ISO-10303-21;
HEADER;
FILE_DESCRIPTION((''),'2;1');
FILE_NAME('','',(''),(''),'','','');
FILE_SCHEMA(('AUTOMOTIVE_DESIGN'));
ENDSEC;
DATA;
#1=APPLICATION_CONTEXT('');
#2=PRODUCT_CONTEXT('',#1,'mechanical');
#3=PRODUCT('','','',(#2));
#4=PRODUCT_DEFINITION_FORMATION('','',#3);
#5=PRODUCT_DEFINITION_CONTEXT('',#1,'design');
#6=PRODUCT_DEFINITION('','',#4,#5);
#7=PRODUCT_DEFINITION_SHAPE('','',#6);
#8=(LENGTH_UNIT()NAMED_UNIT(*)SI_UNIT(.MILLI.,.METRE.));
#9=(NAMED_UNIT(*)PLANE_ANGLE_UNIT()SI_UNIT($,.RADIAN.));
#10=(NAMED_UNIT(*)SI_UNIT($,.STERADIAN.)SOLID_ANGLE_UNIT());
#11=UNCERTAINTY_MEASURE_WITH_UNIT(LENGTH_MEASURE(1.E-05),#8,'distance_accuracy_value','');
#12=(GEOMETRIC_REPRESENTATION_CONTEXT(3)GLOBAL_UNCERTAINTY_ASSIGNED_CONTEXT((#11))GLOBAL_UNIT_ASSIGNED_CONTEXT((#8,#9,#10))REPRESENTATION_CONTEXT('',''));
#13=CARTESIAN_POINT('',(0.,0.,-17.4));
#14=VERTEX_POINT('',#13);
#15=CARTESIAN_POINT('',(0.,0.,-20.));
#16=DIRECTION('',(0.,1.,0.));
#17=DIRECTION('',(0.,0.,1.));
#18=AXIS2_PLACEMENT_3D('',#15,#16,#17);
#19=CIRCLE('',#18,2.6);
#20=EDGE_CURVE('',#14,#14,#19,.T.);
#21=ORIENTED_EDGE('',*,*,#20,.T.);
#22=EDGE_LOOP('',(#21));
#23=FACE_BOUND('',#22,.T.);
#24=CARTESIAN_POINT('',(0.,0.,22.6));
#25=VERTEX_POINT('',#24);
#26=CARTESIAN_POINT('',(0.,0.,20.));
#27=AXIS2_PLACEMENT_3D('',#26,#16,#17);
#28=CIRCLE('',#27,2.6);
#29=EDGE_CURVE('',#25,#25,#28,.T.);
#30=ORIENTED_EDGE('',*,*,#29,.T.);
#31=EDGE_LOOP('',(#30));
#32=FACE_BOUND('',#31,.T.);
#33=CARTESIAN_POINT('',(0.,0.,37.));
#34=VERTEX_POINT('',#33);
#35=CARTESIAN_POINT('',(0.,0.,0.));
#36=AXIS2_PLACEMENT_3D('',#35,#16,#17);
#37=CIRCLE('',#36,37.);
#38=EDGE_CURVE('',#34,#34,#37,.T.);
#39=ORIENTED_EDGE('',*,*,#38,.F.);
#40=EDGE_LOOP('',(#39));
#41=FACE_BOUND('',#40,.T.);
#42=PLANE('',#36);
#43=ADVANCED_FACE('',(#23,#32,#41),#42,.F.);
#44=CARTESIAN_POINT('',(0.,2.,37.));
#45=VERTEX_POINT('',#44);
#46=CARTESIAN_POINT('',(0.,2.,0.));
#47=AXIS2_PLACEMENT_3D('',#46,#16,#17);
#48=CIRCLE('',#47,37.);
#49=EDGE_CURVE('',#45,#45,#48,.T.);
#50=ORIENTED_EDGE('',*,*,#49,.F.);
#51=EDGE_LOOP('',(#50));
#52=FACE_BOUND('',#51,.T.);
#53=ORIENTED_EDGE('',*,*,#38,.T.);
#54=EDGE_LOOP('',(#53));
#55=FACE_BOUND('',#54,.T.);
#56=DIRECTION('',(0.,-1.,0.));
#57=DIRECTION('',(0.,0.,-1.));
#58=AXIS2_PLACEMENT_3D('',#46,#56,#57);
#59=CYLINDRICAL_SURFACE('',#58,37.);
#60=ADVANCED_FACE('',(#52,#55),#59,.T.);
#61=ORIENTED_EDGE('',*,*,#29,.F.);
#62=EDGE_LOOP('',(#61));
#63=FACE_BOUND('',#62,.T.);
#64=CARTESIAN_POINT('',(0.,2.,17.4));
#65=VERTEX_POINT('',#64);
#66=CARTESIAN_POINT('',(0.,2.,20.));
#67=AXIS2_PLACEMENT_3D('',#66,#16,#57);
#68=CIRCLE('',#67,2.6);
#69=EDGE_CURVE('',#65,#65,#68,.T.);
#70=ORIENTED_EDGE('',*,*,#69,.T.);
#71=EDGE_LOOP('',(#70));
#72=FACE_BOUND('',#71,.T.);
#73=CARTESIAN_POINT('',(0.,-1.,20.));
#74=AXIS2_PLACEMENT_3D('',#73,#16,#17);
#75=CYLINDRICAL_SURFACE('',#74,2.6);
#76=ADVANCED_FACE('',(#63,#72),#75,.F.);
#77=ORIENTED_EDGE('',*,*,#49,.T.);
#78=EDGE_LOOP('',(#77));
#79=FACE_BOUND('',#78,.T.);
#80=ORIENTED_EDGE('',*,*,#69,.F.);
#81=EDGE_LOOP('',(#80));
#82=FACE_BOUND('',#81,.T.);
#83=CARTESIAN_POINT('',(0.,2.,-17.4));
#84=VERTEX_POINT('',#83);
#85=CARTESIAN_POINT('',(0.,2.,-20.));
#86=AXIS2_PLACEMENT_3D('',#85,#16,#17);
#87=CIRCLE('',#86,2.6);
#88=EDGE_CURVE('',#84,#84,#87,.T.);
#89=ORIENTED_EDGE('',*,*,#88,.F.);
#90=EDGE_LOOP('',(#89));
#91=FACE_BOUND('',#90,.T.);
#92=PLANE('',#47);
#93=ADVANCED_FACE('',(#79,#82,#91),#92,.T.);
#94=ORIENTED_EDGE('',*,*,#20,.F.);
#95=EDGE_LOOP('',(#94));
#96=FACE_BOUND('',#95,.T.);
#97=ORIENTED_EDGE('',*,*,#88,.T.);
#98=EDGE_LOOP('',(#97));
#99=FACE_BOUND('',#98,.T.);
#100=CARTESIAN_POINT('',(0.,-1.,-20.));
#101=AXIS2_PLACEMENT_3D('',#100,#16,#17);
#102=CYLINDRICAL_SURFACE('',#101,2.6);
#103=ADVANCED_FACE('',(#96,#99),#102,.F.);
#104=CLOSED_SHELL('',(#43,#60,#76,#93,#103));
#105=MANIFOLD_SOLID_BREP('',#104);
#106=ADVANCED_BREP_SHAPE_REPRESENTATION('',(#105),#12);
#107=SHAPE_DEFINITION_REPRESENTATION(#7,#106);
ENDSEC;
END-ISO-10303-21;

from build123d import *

# Parameters (mm, degrees)
SKETCH1_R           = 37
BOSS_EXTRUDE1_DEPTH = 2
SKETCH2_R           = 2.6
CUT_EXTRUDE1_DEPTH  = 3


with BuildPart() as part:
    # Sketch1 → Boss-Extrude1 (new body)
    with BuildSketch(Plane(origin=(0, 0, 0), x_dir=(1, 0, 0), z_dir=(0, 1, 0))):
        with Locations(Location((0, 0, 0), (0, 0, 270))):
            Circle(SKETCH1_R)
    extrude(amount=BOSS_EXTRUDE1_DEPTH)

    # Sketch2 → Cut-Extrude1 (cut)
    with BuildSketch(Plane(origin=(0, 2, 0), x_dir=(1, 0, 0), z_dir=(0, 1, 0))):
        with Locations(Location((0, 20, 0), (0, 0, 270))):
            Circle(SKETCH2_R)
        with Locations(Location((0, -20, 0), (0, 0, 270))):
            Circle(SKETCH2_R)
    extrude(amount=-CUT_EXTRUDE1_DEPTH, mode=Mode.SUBTRACT)


solid = part.part
